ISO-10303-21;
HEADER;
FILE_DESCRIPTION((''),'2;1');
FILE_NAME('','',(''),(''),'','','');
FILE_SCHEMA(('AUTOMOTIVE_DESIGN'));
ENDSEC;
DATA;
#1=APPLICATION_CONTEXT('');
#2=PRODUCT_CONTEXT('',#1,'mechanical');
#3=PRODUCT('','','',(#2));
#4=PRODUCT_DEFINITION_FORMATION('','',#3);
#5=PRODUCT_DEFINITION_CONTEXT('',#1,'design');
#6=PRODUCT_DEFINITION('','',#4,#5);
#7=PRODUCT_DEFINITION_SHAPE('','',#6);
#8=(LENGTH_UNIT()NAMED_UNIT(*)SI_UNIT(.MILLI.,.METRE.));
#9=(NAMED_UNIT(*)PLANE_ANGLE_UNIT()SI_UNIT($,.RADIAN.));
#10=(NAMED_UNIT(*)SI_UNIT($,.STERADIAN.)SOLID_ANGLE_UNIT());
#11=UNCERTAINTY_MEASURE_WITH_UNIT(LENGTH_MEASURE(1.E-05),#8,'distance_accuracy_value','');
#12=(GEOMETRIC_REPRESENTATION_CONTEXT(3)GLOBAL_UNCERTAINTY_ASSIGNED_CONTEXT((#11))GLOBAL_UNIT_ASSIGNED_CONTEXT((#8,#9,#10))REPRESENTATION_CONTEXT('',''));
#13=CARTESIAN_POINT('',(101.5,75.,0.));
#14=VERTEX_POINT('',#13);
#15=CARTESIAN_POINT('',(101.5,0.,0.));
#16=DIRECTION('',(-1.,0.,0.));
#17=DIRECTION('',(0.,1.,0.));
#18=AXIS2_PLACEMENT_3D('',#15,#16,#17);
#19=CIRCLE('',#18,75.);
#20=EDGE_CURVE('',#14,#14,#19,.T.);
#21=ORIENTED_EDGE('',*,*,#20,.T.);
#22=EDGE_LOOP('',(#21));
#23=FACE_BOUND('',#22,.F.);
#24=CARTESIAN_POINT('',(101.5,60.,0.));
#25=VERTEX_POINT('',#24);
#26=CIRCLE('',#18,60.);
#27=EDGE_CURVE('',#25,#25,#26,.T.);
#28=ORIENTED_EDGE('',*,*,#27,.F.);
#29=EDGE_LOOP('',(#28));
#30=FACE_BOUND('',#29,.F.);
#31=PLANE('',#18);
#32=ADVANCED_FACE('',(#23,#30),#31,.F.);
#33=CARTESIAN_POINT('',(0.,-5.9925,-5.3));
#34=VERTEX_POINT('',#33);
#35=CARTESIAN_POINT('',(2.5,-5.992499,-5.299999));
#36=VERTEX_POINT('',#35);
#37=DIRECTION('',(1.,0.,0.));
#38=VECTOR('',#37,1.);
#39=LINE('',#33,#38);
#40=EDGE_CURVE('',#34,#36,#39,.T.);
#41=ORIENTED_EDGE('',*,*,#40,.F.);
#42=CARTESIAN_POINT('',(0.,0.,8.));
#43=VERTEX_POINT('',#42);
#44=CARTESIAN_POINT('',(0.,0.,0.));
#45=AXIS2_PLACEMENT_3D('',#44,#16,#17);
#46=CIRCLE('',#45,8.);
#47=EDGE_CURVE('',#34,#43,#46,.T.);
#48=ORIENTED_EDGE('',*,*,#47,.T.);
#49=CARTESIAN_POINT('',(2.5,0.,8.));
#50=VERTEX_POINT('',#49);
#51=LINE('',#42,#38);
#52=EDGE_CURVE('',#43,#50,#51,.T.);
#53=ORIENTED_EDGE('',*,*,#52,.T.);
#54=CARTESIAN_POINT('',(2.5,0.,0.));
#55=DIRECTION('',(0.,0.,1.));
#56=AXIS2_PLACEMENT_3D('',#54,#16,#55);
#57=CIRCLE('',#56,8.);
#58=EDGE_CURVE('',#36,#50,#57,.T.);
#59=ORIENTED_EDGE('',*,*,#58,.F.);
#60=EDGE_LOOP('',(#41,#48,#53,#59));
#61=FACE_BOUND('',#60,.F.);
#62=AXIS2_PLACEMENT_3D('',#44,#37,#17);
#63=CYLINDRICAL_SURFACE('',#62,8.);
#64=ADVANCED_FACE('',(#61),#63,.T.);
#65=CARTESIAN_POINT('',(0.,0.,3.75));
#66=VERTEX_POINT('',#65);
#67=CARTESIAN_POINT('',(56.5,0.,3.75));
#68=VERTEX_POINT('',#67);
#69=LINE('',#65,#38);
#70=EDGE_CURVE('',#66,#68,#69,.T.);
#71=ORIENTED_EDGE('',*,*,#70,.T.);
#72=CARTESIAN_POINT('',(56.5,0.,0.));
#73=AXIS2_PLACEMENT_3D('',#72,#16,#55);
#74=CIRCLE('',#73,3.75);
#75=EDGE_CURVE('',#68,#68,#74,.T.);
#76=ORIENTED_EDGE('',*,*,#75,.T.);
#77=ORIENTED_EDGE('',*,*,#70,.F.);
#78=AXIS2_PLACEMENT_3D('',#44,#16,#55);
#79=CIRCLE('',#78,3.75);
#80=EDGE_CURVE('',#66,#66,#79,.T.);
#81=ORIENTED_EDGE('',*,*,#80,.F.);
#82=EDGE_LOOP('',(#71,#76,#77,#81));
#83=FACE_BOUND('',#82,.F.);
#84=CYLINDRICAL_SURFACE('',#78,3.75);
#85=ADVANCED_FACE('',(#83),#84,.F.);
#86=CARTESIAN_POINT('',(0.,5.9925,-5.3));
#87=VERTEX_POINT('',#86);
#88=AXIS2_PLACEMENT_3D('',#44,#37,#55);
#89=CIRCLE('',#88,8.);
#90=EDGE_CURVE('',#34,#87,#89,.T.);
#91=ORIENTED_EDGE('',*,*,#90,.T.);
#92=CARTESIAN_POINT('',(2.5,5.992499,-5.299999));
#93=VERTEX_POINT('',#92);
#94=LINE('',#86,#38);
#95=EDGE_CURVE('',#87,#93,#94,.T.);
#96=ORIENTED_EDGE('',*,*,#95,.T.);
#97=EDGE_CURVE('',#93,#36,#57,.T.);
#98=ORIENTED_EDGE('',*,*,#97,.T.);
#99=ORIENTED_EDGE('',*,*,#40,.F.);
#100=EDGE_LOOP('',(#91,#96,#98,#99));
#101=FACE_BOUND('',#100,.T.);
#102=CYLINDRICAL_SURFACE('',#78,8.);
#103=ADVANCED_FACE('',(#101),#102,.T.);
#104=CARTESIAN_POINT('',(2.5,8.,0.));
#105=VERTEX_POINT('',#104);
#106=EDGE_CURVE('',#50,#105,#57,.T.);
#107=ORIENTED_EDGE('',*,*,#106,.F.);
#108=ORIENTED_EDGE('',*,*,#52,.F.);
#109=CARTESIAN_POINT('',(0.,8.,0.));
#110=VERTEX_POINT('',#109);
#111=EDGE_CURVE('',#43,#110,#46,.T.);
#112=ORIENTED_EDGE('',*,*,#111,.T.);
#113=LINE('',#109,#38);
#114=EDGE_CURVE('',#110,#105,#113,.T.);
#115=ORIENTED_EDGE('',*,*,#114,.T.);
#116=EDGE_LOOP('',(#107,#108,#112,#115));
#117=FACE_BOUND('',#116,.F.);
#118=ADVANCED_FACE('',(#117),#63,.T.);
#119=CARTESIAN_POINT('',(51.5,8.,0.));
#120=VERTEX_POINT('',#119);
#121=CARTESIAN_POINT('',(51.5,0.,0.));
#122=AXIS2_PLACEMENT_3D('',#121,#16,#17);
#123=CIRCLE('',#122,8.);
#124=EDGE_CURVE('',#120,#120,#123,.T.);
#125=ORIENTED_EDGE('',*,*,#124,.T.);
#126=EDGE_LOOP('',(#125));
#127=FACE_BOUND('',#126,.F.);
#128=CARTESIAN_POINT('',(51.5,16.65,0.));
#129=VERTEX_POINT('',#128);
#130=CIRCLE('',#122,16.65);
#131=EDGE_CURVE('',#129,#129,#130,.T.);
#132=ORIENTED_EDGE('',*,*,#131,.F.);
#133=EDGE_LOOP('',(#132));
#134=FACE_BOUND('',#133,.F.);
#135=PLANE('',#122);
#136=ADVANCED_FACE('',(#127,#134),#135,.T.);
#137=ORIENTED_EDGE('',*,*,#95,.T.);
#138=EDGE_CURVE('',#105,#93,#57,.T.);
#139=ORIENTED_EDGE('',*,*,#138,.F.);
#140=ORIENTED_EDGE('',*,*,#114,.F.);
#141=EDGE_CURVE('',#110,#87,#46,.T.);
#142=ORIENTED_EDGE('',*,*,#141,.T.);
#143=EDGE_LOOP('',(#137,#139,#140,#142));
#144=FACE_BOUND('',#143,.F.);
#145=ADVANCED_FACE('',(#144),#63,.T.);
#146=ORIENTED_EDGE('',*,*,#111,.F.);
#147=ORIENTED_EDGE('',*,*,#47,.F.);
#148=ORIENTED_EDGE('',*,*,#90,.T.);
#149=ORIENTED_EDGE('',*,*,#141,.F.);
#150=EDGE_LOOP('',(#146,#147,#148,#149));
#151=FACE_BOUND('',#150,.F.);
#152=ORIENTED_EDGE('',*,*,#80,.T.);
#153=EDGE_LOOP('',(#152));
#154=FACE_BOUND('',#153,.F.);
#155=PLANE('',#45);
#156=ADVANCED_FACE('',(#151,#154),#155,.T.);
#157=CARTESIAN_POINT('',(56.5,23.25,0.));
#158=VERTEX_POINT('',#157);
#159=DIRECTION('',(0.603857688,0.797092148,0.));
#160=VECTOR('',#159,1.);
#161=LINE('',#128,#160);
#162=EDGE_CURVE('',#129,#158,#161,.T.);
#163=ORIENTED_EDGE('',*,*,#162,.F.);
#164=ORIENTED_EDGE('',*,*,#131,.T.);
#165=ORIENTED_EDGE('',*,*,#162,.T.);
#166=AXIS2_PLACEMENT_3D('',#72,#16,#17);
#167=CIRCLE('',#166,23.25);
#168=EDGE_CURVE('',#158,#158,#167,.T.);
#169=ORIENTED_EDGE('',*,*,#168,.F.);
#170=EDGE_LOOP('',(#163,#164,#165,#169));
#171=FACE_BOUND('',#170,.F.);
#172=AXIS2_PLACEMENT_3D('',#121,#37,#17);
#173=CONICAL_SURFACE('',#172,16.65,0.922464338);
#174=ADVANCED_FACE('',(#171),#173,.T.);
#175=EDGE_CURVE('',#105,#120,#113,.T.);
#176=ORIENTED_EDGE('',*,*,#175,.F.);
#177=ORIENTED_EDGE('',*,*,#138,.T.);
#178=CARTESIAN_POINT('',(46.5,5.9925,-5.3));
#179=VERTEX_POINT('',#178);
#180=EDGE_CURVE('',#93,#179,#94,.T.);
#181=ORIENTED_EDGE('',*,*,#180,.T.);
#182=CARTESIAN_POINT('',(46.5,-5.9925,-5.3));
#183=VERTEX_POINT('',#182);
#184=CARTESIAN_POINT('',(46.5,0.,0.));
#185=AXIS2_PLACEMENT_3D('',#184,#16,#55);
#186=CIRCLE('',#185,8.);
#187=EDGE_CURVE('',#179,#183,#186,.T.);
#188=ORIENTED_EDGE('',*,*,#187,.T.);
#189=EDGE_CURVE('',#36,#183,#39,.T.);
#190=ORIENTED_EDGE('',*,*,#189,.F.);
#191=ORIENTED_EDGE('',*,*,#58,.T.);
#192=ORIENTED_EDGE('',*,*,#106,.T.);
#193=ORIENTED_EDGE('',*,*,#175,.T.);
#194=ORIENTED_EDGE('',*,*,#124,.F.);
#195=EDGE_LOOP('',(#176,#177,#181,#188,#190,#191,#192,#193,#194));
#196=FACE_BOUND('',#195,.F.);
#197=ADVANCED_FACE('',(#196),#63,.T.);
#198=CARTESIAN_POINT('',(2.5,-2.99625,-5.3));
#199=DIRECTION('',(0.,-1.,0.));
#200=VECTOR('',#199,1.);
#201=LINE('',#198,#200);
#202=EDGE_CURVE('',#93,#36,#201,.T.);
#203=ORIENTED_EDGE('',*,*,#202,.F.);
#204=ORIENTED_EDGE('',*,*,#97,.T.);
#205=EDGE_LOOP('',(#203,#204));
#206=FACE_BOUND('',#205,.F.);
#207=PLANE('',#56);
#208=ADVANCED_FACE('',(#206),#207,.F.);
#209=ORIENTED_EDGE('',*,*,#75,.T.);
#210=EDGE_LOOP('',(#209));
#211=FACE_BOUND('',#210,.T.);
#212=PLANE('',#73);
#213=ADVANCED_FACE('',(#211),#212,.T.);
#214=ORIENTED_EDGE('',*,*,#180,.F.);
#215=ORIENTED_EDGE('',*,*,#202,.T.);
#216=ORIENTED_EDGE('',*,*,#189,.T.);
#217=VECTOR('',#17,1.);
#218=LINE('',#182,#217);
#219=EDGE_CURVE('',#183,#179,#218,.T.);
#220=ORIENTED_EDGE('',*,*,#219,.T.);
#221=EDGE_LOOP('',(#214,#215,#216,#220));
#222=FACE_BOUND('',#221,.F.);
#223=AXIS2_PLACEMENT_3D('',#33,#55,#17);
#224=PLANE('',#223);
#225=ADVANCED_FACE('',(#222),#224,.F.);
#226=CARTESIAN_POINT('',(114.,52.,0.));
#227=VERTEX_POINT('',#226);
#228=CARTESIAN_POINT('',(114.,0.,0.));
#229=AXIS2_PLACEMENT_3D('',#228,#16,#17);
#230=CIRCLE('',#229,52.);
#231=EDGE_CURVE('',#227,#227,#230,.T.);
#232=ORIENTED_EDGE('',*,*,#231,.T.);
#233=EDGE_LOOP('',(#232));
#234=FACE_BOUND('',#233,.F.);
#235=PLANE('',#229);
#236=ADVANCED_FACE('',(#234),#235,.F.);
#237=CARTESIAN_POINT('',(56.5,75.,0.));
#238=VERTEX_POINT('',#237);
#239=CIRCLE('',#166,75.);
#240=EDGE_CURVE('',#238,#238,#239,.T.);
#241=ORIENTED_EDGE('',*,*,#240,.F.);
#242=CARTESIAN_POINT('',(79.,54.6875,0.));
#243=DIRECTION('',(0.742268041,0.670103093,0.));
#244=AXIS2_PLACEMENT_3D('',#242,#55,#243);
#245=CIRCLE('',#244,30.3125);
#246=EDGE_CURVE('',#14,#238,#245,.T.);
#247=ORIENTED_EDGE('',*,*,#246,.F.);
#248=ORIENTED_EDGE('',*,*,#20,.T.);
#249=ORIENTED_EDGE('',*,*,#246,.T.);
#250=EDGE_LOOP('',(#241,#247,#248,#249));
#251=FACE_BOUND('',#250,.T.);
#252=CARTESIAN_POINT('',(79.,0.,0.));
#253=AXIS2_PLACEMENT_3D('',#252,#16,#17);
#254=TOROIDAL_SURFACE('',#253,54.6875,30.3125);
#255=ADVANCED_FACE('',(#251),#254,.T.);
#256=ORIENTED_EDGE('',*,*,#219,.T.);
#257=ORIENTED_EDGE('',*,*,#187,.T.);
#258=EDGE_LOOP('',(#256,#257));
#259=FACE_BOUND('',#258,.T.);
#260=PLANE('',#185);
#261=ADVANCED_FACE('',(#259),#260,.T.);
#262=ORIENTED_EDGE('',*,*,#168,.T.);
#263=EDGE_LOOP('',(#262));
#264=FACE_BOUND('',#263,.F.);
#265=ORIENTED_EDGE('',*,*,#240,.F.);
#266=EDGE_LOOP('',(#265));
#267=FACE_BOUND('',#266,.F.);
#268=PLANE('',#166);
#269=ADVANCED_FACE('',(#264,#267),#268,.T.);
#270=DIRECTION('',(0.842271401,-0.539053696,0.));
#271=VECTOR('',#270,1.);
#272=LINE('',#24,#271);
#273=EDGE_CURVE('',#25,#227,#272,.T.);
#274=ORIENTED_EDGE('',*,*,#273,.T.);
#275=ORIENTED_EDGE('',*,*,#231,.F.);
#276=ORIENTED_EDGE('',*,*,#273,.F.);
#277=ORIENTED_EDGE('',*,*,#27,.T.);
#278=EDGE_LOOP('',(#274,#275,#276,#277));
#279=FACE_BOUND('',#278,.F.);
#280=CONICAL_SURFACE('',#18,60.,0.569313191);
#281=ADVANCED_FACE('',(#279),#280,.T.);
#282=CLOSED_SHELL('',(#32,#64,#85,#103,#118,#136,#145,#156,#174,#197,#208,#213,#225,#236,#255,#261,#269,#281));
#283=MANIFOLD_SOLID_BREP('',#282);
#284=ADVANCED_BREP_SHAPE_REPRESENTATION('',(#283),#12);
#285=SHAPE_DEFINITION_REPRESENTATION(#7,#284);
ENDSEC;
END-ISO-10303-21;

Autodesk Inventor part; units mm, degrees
ref_plane "YZ Plane" through (0, 0, 0) normal (1, 0, 0) x (0, 1, 0)
ref_plane "XZ Plane" through (0, 0, 0) normal (0, 1, 0) x (-1, 0, 0)
ref_plane "XY Plane" through (0, 0, 0) normal (0, 0, 1) x (1, 0, 0)
sketch "Sketch4" plane through (0, 0, 0) normal (0, 0, 1) x (1, 0, 0)
  line L0 (0, 0) -> (0, 8)
  line L1 (0, 8) -> (51.5, 8)
  line L2 (51.5, 8) -> (51.5, 16.65)
  line L3 (51.5, 16.65) -> (56.5, 23.25)
  line L4 (56.5, 23.25) -> (56.5, 75)
  arc A0 (101.5, 75) -> (56.5, 75) centre (79, 54.6875) ccw
  line L5 (101.5, 75) -> (101.5, 60)
  line L6 (101.5, 60) -> (114, 52)
  line L7 (114, 52) -> (114, 0)
  line L8 (114, 0) -> (0, 0)
  line L9 (101.5, 75) -> (56.5, 75)
  point P0 (79, 75)
  dimension "d6" = 8
  dimension "d7" = 16.65
  dimension "d8" = 23.25
  dimension "d9" = 75
  dimension "d10" = 85
  dimension "d11" = 15
  dimension "d12" = 8
  dimension "d13" = 51.5
  dimension "d14" = 5
  dimension "d15" = 45
  dimension "d16" = 12.5
revolve "Revolution1" add sketch "Sketch4" angle 360 about axis through (114, 0, 0) along (-1, 0, 0)
sketch "Sketch5" plane through (0, 0, 0) normal (-1, 0, 0) x (0, 0, 1)
  line L0 (-5.3, -5.9925) -> (-5.3, 5.9925)
  circle A0 centre (0, 0) radius 8 projected
  circle A1 centre (0, 0) radius 8 projected
  arc A2 (-5.3, 5.9925) -> (-5.3, -5.9925) centre (0, 0) ccw
  point P0 (0, 0)
  point P1 (-8, 0)
  dimension "d18" = 5.3
extrude "Extrusion3" cut sketch "Sketch5" against normal blind 46.5 contours A0 L0 picked at (-6.6076, -0.8031)
sketch "Sketch6" plane through (0, 0, 0) normal (-1, 0, 0) x (0, 0, 1)
  circle A0 centre (0, 0) radius 8 projected
  line L0 (-5.3, -5.9925) -> (-5.3, 5.9925)
  arc A1 (-5.3, 5.9925) -> (-5.3, -5.9925) centre (0, 0) ccw
  point P0 (0, 0)
  point P1 (-8, 0)
extrude "Extrusion4" add sketch "Sketch6" against normal blind 2.5
sketch "Sketch7" plane through (0, 0, 0) normal (-1, 0, 0) x (0, 0, 1)
  circle A0 centre (0, 0) radius 3.75
  point P0 (0, 0)
  dimension "d23" = 7.5
extrude "Extrusion5" cut sketch "Sketch7" against normal up to surface (56.5 mm away)
properties part number "Wheel" material "Stainless Steel"
